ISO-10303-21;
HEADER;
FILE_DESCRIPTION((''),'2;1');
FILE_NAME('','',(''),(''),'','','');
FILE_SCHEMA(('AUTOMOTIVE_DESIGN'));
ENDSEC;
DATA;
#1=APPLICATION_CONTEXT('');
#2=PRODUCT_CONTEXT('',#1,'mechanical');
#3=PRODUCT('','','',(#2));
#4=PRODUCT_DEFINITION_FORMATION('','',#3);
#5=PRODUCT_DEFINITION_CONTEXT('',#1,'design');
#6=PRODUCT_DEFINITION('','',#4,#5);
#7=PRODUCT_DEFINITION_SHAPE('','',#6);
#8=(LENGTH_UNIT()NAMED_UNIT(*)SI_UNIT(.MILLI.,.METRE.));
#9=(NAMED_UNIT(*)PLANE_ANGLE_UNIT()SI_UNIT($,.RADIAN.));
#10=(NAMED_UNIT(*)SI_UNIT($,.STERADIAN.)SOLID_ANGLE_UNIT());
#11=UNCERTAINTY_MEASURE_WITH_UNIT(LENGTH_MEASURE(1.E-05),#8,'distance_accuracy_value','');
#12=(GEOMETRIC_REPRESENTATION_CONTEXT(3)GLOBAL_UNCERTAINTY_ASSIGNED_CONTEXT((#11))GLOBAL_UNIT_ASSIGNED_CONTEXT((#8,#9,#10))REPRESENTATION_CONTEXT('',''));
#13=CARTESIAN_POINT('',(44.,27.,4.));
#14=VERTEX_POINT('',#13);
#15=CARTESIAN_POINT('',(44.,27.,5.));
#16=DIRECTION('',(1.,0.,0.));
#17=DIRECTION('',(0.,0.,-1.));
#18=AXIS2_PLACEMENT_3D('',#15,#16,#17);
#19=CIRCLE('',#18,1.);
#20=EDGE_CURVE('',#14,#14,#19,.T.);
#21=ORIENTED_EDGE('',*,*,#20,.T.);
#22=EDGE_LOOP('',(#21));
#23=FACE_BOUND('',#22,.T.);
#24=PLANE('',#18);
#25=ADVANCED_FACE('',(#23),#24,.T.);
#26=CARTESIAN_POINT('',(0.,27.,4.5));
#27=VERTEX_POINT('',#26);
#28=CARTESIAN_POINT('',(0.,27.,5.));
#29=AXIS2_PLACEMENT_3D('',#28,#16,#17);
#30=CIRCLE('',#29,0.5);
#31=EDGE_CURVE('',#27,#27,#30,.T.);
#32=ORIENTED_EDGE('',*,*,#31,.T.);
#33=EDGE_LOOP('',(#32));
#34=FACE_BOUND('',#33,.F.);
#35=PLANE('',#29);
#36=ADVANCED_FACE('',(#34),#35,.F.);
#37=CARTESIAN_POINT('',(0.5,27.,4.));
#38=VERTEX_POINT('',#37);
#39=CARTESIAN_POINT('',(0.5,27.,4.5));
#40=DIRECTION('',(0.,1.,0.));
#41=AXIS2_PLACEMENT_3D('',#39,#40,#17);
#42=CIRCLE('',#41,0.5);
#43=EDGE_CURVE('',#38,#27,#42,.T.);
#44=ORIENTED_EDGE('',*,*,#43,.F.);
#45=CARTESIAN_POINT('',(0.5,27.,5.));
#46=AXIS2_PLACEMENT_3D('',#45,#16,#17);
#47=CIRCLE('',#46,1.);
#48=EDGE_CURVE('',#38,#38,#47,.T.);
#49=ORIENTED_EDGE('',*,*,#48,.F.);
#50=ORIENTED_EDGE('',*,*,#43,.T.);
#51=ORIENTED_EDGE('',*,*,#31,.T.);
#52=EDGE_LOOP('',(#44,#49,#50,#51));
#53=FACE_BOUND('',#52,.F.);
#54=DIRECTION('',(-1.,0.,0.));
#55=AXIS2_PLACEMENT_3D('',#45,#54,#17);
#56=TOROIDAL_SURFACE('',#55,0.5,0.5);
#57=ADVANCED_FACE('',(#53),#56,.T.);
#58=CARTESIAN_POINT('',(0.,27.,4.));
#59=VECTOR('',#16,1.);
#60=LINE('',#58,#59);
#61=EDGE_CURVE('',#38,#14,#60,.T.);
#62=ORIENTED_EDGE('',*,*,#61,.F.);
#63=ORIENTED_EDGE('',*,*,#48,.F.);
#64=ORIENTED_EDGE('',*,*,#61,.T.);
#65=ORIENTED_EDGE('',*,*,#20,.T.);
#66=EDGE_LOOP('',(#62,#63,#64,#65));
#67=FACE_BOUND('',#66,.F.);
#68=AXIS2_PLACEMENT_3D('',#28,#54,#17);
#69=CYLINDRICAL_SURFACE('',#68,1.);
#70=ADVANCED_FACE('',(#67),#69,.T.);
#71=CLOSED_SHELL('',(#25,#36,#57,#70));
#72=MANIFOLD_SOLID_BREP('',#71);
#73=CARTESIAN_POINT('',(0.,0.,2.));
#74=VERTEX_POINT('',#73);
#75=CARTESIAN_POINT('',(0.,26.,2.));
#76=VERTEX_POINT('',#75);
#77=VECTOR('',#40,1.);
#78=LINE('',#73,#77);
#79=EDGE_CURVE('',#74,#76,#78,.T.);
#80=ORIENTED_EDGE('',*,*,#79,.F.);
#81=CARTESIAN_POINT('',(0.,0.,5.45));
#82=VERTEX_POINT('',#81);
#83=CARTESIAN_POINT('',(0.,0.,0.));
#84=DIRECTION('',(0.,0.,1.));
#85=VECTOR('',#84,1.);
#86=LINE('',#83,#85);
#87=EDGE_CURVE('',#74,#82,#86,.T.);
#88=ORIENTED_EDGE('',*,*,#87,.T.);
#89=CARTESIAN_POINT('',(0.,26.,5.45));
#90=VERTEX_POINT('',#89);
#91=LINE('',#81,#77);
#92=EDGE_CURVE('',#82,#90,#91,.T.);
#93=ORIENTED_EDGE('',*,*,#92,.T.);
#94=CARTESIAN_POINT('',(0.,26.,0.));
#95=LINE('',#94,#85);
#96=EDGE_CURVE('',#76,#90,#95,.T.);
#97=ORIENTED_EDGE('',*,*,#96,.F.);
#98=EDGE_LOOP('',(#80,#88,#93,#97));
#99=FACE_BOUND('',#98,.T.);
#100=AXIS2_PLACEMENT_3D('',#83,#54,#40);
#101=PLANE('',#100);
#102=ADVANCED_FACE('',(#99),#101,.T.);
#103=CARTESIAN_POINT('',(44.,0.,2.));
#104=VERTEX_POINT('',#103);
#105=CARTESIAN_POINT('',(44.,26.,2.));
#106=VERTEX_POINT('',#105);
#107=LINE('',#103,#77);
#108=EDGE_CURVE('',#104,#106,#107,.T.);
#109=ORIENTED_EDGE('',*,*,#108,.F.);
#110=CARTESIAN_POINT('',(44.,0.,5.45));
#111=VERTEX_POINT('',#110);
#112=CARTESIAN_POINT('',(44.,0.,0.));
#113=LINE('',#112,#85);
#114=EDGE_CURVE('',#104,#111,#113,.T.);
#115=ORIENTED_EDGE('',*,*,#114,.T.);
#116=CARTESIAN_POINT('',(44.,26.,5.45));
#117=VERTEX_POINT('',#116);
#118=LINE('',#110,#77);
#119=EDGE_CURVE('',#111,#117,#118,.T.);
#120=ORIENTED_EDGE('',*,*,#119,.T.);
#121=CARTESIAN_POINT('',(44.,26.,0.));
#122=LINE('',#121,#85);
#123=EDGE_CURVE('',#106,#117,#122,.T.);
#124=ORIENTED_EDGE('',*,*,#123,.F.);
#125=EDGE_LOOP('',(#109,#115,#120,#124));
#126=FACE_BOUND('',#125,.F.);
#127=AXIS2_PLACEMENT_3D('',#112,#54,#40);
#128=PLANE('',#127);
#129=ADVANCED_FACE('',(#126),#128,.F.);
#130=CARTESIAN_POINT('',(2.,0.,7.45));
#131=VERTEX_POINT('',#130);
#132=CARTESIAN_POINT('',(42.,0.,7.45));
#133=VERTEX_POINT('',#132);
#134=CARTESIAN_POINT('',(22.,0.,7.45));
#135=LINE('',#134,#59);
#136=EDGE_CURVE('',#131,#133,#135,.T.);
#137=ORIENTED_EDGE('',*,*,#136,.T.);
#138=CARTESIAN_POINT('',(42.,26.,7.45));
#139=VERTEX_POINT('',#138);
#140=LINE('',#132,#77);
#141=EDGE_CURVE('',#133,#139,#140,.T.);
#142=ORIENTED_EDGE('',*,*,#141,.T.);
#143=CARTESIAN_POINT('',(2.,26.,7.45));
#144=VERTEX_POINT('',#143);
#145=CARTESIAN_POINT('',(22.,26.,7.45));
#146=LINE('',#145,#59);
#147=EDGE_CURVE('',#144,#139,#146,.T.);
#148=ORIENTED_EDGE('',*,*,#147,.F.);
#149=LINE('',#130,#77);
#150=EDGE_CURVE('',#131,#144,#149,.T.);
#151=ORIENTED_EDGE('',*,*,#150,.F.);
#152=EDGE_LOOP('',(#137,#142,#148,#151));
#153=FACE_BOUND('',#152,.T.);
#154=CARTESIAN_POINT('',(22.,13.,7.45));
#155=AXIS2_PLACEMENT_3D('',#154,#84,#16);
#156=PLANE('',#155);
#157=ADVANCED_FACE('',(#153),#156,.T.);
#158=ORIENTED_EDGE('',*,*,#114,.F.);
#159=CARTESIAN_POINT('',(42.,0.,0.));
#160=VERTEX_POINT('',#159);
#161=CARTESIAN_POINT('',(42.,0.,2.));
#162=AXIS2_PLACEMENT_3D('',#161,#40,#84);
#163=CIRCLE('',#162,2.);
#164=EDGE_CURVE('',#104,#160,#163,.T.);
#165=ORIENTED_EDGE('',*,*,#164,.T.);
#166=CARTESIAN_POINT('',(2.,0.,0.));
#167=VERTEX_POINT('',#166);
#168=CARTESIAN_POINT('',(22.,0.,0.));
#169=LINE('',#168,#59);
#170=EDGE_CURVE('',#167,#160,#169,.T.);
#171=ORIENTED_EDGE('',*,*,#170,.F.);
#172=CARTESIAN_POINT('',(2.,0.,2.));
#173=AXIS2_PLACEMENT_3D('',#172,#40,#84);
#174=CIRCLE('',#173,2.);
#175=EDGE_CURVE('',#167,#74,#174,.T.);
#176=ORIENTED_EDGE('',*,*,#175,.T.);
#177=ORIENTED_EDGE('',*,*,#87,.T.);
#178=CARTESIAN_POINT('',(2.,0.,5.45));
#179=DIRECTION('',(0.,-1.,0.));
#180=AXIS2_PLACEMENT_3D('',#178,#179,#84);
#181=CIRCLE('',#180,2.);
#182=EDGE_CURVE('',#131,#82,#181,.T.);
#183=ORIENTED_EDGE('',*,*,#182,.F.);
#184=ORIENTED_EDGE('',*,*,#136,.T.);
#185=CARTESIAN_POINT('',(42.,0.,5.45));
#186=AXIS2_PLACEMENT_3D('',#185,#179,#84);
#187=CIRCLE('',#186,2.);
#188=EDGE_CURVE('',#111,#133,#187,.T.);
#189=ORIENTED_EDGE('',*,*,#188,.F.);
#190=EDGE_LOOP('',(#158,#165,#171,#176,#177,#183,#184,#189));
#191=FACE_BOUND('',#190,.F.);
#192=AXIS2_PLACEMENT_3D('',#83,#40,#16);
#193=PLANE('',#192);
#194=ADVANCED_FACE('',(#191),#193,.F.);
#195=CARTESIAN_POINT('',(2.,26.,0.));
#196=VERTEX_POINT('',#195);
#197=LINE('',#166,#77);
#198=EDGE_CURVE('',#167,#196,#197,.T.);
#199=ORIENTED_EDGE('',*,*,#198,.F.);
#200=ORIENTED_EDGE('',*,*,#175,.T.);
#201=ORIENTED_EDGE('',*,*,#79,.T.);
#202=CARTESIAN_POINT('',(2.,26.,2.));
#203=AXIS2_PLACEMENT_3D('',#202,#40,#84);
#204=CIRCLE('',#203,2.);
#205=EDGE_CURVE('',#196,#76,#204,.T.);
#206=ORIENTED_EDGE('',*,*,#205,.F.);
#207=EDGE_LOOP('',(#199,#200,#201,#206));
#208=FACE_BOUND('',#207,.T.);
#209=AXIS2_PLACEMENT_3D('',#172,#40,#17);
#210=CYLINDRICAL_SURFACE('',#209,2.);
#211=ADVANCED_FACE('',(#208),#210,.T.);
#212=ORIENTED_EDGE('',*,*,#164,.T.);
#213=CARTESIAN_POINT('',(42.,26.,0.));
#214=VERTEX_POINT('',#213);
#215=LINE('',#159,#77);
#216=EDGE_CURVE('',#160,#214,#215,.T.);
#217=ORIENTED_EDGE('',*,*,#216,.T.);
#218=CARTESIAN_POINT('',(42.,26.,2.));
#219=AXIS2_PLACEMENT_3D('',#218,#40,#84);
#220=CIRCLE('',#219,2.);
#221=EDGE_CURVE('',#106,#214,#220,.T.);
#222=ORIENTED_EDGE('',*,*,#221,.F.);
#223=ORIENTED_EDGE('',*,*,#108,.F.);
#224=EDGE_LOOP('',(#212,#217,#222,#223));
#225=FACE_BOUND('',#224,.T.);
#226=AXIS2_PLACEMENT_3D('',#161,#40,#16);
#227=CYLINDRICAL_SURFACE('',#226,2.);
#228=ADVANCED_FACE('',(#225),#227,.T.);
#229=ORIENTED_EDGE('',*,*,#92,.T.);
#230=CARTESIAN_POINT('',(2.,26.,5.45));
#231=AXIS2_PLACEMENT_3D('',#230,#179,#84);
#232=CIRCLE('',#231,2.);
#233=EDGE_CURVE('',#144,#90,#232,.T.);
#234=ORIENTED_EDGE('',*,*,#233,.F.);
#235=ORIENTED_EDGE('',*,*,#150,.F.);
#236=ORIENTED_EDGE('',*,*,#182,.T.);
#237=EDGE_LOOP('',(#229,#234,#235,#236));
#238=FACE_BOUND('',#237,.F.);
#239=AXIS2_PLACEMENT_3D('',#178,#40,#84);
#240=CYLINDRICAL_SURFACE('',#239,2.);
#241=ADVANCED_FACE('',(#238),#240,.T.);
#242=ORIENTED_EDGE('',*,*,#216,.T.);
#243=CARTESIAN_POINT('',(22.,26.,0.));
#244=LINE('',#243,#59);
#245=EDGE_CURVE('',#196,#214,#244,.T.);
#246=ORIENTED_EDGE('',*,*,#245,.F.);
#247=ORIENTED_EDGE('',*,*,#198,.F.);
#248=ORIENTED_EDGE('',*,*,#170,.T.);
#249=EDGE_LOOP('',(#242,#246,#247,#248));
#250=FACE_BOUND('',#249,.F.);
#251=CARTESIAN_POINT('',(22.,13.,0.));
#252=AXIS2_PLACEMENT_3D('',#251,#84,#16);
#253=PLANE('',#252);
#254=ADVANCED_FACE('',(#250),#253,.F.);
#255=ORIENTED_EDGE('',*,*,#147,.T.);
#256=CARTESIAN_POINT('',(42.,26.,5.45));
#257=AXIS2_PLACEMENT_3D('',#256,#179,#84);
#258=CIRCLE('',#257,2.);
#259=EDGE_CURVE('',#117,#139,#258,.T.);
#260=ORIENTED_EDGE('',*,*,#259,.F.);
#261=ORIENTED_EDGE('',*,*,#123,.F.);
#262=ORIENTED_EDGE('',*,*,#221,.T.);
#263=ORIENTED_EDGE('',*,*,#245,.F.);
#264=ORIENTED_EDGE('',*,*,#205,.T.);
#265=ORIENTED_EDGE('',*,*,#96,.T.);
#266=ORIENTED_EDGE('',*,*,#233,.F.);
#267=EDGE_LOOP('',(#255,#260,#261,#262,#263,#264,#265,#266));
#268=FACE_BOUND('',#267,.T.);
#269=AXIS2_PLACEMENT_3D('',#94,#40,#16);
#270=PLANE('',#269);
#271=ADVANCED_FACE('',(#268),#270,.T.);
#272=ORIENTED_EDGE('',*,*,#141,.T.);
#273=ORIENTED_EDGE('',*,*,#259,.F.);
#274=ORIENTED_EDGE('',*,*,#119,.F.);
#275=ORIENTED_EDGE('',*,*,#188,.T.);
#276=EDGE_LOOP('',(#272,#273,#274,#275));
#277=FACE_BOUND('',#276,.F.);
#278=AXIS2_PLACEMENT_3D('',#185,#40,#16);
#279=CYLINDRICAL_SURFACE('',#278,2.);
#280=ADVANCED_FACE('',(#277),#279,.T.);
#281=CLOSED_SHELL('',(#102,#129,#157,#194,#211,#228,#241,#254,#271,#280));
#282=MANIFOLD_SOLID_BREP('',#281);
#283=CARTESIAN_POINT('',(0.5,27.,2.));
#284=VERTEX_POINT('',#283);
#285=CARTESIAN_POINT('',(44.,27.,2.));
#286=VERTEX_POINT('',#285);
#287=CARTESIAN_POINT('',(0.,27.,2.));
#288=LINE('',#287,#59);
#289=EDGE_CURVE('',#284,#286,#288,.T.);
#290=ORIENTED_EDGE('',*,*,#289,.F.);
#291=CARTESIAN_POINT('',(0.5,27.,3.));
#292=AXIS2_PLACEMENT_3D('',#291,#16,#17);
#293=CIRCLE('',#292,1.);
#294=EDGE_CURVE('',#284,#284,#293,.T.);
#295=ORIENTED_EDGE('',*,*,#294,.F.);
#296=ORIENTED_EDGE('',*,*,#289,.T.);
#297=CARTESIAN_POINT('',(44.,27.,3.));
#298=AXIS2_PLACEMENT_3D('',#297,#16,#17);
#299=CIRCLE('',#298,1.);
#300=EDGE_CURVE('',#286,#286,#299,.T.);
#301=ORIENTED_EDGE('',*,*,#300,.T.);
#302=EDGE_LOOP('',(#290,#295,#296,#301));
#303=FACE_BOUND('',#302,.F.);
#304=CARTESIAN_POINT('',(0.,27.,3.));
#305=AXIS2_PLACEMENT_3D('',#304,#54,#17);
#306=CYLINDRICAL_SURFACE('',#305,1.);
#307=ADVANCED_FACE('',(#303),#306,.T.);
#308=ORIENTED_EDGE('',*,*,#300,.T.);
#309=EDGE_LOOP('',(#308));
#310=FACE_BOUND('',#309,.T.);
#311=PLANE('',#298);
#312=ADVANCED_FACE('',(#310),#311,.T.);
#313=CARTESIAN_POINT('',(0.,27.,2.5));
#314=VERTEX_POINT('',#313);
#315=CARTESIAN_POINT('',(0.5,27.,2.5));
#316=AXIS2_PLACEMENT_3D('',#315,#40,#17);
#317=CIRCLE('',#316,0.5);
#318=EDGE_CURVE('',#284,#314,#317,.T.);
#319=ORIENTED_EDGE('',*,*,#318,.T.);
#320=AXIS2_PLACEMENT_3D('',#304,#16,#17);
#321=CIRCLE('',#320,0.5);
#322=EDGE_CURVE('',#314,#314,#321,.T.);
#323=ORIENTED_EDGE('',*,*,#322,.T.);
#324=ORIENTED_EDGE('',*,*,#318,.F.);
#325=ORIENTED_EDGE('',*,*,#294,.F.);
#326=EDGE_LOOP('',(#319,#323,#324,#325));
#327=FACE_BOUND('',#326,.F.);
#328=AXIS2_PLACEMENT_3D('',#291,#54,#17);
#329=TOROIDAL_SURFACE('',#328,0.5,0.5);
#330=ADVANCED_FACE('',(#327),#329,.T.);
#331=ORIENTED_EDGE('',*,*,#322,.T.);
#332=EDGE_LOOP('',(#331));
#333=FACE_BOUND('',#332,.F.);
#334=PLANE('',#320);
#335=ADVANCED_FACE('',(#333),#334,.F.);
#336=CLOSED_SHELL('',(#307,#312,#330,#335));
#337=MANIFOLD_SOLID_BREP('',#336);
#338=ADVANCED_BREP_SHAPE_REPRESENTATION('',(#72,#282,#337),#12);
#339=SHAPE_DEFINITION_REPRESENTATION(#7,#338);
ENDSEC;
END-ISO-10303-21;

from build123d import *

# Parameters (mm, degrees)
SKETCH_W                = 44
SKETCH_H                = 26
PAD_DEPTH               = 7.45
FILLET_R                = 2
FILLET001_R             = 2
CYLINDER_R              = 1
CYLINDER_DEPTH          = 44
CYLINDER_PITCH_ANGLE    = 90
FILLET002_R             = 0.5
CYLINDER001_R           = 1
CYLINDER001_DEPTH       = 44
CYLINDER001_PITCH_ANGLE = 90
FILLET003_R             = 0.5


with BuildPart() as fillet001:
    # Sketch → Pad (new body)
    with BuildSketch(Plane.XY):
        with Locations((22, 13)):
            Rectangle(SKETCH_W, SKETCH_H)
    extrude(amount=PAD_DEPTH)

    # Fillet
    fillet_edges = [fillet001.edges().sort_by_distance(p)[0] for p in [
        (44, 13, 0),
        (44, 13, 7.45),
    ]]
    fillet(fillet_edges, radius=FILLET_R)

    # Fillet001
    fillet001_edges = [fillet001.edges().sort_by_distance(p)[0] for p in [
        (0, 13, 7.45),
        (0, 13, 0),
    ]]
    fillet(fillet001_edges, radius=FILLET001_R)


with BuildPart() as fillet002:
    # Cylinder → Cylinder (new body)
    with BuildSketch(Plane.XY):
        Circle(CYLINDER_R)
    extrude(amount=CYLINDER_DEPTH)


with BuildPart() as fillet002_1:
    # Cylinder pitch: moved
    add(fillet002.part.rotate(Axis((0, 0, 0), (0, 1, 0)), CYLINDER_PITCH_ANGLE))


with BuildPart() as fillet002_2:
    # Cylinder placement: moved
    add(fillet002_1.part.moved(Location((0, 27, 5))))

    # Fillet002
    fillet002_edges = [fillet002_2.edges().sort_by_distance(p)[0] for p in [
        (0, 27, 6),
    ]]
    fillet(fillet002_edges, radius=FILLET002_R)


with BuildPart() as fillet003:
    # Cylinder001 → Cylinder001 (new body)
    with BuildSketch(Plane.XY):
        Circle(CYLINDER001_R)
    extrude(amount=CYLINDER001_DEPTH)


with BuildPart() as fillet003_1:
    # Cylinder001 pitch: moved
    add(fillet003.part.rotate(Axis((0, 0, 0), (0, 1, 0)), CYLINDER001_PITCH_ANGLE))


with BuildPart() as fillet003_2:
    # Cylinder001 placement: moved
    add(fillet003_1.part.moved(Location((0, 27, 3))))

    # Fillet003
    fillet003_edges = [fillet003_2.edges().sort_by_distance(p)[0] for p in [
        (0, 27, 4),
    ]]
    fillet(fillet003_edges, radius=FILLET003_R)


solid = Compound([fillet001.part, fillet002_2.part, fillet003_2.part])
